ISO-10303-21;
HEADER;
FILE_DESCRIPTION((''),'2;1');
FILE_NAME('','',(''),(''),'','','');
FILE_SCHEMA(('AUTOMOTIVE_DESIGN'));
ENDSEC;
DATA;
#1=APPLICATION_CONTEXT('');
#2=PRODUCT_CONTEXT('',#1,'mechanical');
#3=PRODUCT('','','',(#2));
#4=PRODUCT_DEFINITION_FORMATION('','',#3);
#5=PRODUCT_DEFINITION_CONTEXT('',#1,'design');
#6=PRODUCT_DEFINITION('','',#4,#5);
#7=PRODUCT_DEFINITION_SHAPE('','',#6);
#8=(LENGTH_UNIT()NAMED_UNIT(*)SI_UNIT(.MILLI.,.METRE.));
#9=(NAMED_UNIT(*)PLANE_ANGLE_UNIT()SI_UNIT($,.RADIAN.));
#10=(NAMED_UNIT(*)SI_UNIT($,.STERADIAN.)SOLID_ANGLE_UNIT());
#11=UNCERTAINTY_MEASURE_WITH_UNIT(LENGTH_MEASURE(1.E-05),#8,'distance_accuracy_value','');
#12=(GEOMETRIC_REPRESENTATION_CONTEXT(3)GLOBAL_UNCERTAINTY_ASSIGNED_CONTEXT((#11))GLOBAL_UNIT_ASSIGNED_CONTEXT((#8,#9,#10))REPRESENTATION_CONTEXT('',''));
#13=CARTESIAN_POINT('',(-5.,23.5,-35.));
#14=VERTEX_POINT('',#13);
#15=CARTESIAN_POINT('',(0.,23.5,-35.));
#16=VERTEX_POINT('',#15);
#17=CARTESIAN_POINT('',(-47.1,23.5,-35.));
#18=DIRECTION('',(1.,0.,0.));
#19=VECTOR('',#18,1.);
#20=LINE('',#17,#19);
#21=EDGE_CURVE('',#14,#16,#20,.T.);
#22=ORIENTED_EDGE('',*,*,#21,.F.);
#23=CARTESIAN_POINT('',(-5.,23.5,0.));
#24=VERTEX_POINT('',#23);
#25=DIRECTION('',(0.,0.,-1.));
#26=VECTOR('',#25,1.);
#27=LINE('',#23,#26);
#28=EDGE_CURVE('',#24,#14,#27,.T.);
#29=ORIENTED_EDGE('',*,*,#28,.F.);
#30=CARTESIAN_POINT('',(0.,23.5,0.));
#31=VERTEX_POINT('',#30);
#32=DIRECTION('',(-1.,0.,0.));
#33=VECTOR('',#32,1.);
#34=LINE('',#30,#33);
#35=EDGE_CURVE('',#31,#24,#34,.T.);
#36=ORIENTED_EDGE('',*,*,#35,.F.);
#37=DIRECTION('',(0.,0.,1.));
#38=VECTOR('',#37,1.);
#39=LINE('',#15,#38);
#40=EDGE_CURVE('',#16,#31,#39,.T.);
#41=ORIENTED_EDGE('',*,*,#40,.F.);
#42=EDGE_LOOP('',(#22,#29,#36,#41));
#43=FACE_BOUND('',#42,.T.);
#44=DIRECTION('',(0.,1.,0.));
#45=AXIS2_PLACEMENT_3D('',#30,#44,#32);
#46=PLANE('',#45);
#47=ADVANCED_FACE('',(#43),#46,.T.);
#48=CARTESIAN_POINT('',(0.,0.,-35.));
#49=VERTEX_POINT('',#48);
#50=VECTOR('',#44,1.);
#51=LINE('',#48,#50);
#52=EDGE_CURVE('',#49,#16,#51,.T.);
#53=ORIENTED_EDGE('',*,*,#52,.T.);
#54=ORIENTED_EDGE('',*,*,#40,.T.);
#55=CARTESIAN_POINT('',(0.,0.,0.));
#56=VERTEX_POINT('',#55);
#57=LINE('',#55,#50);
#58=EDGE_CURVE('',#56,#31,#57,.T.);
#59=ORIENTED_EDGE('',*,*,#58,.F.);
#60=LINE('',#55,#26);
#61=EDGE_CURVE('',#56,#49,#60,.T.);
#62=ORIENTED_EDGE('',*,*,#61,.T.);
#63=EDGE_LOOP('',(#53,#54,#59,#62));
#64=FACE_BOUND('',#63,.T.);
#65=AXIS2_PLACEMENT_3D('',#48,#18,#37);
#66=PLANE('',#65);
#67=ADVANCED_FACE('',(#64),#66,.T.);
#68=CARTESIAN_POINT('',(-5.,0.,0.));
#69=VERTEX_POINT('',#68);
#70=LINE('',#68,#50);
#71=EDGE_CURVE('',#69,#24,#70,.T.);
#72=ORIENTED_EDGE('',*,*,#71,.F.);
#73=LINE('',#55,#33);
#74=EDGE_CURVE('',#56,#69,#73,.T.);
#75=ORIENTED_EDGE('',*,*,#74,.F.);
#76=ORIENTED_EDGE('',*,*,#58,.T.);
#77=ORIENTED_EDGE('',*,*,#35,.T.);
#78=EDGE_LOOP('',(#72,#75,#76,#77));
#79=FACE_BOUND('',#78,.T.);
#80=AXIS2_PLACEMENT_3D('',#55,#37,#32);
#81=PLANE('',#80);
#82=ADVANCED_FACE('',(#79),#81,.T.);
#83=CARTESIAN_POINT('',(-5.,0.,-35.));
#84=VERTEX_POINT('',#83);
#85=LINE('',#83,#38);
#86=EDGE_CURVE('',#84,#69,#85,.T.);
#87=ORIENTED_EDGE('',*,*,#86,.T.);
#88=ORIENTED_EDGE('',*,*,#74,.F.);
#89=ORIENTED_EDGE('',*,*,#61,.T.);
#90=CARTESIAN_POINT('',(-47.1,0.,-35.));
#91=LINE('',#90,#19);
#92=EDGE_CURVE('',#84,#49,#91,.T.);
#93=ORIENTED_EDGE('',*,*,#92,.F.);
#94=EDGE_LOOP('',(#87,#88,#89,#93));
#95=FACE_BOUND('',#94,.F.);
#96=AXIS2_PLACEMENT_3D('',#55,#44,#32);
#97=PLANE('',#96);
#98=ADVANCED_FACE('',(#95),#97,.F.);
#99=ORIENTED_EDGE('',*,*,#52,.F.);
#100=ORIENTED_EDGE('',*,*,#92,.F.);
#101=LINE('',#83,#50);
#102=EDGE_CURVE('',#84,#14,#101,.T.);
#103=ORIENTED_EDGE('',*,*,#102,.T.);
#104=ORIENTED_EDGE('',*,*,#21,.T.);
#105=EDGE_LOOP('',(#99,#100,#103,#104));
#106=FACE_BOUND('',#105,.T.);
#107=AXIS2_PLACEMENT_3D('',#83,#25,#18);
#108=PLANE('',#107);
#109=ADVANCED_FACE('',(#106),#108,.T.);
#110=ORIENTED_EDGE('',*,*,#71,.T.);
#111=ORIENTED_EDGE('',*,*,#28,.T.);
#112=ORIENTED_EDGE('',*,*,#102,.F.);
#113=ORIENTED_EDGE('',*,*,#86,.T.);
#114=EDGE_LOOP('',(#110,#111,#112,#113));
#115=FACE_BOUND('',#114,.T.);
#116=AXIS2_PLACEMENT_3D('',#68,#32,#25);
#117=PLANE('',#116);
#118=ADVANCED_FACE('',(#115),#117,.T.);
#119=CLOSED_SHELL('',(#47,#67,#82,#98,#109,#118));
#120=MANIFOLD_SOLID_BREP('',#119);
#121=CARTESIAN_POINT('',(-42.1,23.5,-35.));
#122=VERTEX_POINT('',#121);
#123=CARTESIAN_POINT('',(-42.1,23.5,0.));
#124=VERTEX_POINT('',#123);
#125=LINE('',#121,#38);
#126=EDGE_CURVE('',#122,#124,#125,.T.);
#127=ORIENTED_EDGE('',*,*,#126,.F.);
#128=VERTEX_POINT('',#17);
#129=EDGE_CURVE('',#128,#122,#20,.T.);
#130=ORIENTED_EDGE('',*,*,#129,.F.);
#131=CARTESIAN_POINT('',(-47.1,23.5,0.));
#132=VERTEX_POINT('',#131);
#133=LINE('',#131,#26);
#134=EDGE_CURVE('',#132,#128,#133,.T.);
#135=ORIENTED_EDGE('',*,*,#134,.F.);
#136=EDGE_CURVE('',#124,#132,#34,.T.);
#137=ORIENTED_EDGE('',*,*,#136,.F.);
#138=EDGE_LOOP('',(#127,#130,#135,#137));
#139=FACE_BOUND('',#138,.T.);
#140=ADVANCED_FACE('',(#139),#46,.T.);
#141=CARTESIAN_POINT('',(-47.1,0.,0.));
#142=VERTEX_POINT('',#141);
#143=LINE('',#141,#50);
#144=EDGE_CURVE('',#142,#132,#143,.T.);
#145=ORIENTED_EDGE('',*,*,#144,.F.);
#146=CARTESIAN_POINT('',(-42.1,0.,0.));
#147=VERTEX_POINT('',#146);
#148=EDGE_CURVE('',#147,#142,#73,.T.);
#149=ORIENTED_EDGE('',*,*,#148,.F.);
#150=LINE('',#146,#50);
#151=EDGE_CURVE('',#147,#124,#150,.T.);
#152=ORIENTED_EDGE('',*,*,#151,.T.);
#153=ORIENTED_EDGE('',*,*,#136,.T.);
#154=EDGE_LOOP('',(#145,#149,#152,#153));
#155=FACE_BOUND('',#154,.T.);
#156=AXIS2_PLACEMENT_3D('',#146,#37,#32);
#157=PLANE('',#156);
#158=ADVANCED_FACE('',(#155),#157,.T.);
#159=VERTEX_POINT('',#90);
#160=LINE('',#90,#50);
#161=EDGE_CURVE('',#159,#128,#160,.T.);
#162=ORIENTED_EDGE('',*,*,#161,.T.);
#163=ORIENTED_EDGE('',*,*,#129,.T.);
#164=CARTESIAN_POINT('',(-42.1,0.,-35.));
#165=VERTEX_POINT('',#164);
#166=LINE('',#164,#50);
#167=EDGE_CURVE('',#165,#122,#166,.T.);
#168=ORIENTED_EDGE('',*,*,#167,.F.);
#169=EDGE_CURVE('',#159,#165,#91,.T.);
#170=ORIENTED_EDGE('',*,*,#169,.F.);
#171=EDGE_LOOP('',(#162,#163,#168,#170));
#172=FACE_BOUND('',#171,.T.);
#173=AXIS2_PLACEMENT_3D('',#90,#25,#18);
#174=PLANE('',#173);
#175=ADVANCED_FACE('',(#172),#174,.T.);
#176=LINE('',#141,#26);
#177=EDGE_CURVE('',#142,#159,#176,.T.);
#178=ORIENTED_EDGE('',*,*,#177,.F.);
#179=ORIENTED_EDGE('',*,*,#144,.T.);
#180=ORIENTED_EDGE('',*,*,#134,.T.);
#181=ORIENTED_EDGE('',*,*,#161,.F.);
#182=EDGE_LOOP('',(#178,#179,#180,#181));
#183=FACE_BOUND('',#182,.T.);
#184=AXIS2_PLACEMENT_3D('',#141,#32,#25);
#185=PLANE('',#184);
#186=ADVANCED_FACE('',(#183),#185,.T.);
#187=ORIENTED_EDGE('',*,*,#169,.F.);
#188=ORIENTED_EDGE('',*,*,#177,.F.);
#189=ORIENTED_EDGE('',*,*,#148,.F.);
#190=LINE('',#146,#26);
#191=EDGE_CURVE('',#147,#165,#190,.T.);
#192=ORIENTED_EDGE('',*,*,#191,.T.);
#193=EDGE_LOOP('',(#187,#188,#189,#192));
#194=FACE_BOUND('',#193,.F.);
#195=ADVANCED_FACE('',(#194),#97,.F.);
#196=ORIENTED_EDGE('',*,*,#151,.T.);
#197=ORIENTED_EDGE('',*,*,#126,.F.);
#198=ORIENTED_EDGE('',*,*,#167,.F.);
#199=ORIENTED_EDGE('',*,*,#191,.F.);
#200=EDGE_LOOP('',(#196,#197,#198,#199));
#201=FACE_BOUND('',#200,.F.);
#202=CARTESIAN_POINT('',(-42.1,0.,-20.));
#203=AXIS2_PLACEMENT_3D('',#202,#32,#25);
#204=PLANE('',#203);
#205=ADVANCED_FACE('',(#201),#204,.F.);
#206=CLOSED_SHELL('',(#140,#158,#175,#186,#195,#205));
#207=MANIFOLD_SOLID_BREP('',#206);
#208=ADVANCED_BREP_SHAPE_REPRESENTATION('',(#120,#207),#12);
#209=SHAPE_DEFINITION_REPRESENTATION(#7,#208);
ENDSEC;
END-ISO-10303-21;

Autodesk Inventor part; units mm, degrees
ref_plane "YZ Plane" through (0, 0, 0) normal (1, 0, 0) x (0, 1, 0)
ref_plane "XZ Plane" through (0, 0, 0) normal (0, 1, 0) x (-1, 0, 0)
ref_plane "XY Plane" through (0, 0, 0) normal (0, 0, 1) x (1, 0, 0)
sketch "Sketch1" plane through (0, 0, 0) normal (0, 1, 0) x (-1, 0, 0)
  line L0 (0, 0) -> (47.1, 0)
  line L1 (47.1, 0) -> (47.1, -35)
  line L2 (47.1, -35) -> (0, -35)
  line L3 (0, -35) -> (0, 0)
  line L4 (47.1, 0) -> (42.1, 0)
  line L5 (42.1, 0) -> (42.1, -35)
  line L6 (42.1, -35) -> (47.1, -35)
  line L7 (47.1, -35) -> (47.1, 0)
  line L8 (42.1, -15) -> (5, -15)
  line L9 (0, -11) -> (0, -16)
  line L10 (5, -20) -> (42.1, -20)
  line L11 (42.1, -20) -> (42.1, -15)
  line L12 (0, 0) -> (5, 0)
  line L13 (5, 0) -> (5, -35)
  line L14 (5, -35) -> (0, -35)
  line L15 (0, -35) -> (0, 0)
  dimension "d0" = 47.1
  dimension "d1" = 35
  dimension "d2" = 5
  dimension "d3" = 5
  dimension "d4" = 15
  dimension "d6" = 5
  dimension "d7" = 35
  dimension "d15" = 15
extrude "Extrusion1" add sketch "Sketch1" along normal blind 23.5 contours L0 L13 L2 L3 | L0 L1 L2 L5
sketch "Sketch2" plane through (-47.1, 0, 0) normal (0, 0, 1) x (1, 0, 0)
  line L0 (0, 0) -> (5, 0) projected
  line L1 (5, 0) -> (5, 23.5) projected
  line L2 (0, 23.5) -> (5, 23.5) projected
  line L3 (0, 0) -> (0, 23.5) projected
  line L4 (42.1, 0) -> (47.1, 0) projected
  line L5 (47.1, 0) -> (47.1, 23.5) projected
  line L6 (42.1, 23.5) -> (47.1, 23.5) projected
  line L7 (42.1, 0) -> (42.1, 23.5) projected
  line L8 (5, 0) -> (5, 23.5) projected
  line L9 (42.1, 0) -> (42.1, 23.5) projected
  line L10 (42.1, 15.5) -> (42.1, 10.5)
  line L11 (5, 10.5) -> (5, 15.5)
  line L12 (47.1, 0) -> (47.1, 23.5) projected
  line L13 (0, 0) -> (0, 23.5) projected
  line L14 (47.1, -13) -> (0, -13)
  line L15 (0, -13) -> (0, -18)
  line L16 (0, -18) -> (47.1, -18)
  line L17 (47.1, -18) -> (47.1, -13)
  dimension "d10" = 5
  dimension "d16" = 5
  dimension "d17" = 36.5
sketch "Sketch3" plane through (0, 0, 0) normal (0, -1, 0) x (1, 0, 0)
  line L0 (-43.6752, -16.6981) -> (-43.6752, -10.5412) construction
  line L1 (-43.6752, -10.5412) -> (-38.9883, -10.5412) construction
  line L2 (-38.9883, -10.5412) -> (-38.9883, -16.6981) construction
  line L3 (-38.9883, -16.6981) -> (-43.6752, -16.6981) construction
  point P0 (0, 0)
properties part number "100x0y0z_0x0y0z"
